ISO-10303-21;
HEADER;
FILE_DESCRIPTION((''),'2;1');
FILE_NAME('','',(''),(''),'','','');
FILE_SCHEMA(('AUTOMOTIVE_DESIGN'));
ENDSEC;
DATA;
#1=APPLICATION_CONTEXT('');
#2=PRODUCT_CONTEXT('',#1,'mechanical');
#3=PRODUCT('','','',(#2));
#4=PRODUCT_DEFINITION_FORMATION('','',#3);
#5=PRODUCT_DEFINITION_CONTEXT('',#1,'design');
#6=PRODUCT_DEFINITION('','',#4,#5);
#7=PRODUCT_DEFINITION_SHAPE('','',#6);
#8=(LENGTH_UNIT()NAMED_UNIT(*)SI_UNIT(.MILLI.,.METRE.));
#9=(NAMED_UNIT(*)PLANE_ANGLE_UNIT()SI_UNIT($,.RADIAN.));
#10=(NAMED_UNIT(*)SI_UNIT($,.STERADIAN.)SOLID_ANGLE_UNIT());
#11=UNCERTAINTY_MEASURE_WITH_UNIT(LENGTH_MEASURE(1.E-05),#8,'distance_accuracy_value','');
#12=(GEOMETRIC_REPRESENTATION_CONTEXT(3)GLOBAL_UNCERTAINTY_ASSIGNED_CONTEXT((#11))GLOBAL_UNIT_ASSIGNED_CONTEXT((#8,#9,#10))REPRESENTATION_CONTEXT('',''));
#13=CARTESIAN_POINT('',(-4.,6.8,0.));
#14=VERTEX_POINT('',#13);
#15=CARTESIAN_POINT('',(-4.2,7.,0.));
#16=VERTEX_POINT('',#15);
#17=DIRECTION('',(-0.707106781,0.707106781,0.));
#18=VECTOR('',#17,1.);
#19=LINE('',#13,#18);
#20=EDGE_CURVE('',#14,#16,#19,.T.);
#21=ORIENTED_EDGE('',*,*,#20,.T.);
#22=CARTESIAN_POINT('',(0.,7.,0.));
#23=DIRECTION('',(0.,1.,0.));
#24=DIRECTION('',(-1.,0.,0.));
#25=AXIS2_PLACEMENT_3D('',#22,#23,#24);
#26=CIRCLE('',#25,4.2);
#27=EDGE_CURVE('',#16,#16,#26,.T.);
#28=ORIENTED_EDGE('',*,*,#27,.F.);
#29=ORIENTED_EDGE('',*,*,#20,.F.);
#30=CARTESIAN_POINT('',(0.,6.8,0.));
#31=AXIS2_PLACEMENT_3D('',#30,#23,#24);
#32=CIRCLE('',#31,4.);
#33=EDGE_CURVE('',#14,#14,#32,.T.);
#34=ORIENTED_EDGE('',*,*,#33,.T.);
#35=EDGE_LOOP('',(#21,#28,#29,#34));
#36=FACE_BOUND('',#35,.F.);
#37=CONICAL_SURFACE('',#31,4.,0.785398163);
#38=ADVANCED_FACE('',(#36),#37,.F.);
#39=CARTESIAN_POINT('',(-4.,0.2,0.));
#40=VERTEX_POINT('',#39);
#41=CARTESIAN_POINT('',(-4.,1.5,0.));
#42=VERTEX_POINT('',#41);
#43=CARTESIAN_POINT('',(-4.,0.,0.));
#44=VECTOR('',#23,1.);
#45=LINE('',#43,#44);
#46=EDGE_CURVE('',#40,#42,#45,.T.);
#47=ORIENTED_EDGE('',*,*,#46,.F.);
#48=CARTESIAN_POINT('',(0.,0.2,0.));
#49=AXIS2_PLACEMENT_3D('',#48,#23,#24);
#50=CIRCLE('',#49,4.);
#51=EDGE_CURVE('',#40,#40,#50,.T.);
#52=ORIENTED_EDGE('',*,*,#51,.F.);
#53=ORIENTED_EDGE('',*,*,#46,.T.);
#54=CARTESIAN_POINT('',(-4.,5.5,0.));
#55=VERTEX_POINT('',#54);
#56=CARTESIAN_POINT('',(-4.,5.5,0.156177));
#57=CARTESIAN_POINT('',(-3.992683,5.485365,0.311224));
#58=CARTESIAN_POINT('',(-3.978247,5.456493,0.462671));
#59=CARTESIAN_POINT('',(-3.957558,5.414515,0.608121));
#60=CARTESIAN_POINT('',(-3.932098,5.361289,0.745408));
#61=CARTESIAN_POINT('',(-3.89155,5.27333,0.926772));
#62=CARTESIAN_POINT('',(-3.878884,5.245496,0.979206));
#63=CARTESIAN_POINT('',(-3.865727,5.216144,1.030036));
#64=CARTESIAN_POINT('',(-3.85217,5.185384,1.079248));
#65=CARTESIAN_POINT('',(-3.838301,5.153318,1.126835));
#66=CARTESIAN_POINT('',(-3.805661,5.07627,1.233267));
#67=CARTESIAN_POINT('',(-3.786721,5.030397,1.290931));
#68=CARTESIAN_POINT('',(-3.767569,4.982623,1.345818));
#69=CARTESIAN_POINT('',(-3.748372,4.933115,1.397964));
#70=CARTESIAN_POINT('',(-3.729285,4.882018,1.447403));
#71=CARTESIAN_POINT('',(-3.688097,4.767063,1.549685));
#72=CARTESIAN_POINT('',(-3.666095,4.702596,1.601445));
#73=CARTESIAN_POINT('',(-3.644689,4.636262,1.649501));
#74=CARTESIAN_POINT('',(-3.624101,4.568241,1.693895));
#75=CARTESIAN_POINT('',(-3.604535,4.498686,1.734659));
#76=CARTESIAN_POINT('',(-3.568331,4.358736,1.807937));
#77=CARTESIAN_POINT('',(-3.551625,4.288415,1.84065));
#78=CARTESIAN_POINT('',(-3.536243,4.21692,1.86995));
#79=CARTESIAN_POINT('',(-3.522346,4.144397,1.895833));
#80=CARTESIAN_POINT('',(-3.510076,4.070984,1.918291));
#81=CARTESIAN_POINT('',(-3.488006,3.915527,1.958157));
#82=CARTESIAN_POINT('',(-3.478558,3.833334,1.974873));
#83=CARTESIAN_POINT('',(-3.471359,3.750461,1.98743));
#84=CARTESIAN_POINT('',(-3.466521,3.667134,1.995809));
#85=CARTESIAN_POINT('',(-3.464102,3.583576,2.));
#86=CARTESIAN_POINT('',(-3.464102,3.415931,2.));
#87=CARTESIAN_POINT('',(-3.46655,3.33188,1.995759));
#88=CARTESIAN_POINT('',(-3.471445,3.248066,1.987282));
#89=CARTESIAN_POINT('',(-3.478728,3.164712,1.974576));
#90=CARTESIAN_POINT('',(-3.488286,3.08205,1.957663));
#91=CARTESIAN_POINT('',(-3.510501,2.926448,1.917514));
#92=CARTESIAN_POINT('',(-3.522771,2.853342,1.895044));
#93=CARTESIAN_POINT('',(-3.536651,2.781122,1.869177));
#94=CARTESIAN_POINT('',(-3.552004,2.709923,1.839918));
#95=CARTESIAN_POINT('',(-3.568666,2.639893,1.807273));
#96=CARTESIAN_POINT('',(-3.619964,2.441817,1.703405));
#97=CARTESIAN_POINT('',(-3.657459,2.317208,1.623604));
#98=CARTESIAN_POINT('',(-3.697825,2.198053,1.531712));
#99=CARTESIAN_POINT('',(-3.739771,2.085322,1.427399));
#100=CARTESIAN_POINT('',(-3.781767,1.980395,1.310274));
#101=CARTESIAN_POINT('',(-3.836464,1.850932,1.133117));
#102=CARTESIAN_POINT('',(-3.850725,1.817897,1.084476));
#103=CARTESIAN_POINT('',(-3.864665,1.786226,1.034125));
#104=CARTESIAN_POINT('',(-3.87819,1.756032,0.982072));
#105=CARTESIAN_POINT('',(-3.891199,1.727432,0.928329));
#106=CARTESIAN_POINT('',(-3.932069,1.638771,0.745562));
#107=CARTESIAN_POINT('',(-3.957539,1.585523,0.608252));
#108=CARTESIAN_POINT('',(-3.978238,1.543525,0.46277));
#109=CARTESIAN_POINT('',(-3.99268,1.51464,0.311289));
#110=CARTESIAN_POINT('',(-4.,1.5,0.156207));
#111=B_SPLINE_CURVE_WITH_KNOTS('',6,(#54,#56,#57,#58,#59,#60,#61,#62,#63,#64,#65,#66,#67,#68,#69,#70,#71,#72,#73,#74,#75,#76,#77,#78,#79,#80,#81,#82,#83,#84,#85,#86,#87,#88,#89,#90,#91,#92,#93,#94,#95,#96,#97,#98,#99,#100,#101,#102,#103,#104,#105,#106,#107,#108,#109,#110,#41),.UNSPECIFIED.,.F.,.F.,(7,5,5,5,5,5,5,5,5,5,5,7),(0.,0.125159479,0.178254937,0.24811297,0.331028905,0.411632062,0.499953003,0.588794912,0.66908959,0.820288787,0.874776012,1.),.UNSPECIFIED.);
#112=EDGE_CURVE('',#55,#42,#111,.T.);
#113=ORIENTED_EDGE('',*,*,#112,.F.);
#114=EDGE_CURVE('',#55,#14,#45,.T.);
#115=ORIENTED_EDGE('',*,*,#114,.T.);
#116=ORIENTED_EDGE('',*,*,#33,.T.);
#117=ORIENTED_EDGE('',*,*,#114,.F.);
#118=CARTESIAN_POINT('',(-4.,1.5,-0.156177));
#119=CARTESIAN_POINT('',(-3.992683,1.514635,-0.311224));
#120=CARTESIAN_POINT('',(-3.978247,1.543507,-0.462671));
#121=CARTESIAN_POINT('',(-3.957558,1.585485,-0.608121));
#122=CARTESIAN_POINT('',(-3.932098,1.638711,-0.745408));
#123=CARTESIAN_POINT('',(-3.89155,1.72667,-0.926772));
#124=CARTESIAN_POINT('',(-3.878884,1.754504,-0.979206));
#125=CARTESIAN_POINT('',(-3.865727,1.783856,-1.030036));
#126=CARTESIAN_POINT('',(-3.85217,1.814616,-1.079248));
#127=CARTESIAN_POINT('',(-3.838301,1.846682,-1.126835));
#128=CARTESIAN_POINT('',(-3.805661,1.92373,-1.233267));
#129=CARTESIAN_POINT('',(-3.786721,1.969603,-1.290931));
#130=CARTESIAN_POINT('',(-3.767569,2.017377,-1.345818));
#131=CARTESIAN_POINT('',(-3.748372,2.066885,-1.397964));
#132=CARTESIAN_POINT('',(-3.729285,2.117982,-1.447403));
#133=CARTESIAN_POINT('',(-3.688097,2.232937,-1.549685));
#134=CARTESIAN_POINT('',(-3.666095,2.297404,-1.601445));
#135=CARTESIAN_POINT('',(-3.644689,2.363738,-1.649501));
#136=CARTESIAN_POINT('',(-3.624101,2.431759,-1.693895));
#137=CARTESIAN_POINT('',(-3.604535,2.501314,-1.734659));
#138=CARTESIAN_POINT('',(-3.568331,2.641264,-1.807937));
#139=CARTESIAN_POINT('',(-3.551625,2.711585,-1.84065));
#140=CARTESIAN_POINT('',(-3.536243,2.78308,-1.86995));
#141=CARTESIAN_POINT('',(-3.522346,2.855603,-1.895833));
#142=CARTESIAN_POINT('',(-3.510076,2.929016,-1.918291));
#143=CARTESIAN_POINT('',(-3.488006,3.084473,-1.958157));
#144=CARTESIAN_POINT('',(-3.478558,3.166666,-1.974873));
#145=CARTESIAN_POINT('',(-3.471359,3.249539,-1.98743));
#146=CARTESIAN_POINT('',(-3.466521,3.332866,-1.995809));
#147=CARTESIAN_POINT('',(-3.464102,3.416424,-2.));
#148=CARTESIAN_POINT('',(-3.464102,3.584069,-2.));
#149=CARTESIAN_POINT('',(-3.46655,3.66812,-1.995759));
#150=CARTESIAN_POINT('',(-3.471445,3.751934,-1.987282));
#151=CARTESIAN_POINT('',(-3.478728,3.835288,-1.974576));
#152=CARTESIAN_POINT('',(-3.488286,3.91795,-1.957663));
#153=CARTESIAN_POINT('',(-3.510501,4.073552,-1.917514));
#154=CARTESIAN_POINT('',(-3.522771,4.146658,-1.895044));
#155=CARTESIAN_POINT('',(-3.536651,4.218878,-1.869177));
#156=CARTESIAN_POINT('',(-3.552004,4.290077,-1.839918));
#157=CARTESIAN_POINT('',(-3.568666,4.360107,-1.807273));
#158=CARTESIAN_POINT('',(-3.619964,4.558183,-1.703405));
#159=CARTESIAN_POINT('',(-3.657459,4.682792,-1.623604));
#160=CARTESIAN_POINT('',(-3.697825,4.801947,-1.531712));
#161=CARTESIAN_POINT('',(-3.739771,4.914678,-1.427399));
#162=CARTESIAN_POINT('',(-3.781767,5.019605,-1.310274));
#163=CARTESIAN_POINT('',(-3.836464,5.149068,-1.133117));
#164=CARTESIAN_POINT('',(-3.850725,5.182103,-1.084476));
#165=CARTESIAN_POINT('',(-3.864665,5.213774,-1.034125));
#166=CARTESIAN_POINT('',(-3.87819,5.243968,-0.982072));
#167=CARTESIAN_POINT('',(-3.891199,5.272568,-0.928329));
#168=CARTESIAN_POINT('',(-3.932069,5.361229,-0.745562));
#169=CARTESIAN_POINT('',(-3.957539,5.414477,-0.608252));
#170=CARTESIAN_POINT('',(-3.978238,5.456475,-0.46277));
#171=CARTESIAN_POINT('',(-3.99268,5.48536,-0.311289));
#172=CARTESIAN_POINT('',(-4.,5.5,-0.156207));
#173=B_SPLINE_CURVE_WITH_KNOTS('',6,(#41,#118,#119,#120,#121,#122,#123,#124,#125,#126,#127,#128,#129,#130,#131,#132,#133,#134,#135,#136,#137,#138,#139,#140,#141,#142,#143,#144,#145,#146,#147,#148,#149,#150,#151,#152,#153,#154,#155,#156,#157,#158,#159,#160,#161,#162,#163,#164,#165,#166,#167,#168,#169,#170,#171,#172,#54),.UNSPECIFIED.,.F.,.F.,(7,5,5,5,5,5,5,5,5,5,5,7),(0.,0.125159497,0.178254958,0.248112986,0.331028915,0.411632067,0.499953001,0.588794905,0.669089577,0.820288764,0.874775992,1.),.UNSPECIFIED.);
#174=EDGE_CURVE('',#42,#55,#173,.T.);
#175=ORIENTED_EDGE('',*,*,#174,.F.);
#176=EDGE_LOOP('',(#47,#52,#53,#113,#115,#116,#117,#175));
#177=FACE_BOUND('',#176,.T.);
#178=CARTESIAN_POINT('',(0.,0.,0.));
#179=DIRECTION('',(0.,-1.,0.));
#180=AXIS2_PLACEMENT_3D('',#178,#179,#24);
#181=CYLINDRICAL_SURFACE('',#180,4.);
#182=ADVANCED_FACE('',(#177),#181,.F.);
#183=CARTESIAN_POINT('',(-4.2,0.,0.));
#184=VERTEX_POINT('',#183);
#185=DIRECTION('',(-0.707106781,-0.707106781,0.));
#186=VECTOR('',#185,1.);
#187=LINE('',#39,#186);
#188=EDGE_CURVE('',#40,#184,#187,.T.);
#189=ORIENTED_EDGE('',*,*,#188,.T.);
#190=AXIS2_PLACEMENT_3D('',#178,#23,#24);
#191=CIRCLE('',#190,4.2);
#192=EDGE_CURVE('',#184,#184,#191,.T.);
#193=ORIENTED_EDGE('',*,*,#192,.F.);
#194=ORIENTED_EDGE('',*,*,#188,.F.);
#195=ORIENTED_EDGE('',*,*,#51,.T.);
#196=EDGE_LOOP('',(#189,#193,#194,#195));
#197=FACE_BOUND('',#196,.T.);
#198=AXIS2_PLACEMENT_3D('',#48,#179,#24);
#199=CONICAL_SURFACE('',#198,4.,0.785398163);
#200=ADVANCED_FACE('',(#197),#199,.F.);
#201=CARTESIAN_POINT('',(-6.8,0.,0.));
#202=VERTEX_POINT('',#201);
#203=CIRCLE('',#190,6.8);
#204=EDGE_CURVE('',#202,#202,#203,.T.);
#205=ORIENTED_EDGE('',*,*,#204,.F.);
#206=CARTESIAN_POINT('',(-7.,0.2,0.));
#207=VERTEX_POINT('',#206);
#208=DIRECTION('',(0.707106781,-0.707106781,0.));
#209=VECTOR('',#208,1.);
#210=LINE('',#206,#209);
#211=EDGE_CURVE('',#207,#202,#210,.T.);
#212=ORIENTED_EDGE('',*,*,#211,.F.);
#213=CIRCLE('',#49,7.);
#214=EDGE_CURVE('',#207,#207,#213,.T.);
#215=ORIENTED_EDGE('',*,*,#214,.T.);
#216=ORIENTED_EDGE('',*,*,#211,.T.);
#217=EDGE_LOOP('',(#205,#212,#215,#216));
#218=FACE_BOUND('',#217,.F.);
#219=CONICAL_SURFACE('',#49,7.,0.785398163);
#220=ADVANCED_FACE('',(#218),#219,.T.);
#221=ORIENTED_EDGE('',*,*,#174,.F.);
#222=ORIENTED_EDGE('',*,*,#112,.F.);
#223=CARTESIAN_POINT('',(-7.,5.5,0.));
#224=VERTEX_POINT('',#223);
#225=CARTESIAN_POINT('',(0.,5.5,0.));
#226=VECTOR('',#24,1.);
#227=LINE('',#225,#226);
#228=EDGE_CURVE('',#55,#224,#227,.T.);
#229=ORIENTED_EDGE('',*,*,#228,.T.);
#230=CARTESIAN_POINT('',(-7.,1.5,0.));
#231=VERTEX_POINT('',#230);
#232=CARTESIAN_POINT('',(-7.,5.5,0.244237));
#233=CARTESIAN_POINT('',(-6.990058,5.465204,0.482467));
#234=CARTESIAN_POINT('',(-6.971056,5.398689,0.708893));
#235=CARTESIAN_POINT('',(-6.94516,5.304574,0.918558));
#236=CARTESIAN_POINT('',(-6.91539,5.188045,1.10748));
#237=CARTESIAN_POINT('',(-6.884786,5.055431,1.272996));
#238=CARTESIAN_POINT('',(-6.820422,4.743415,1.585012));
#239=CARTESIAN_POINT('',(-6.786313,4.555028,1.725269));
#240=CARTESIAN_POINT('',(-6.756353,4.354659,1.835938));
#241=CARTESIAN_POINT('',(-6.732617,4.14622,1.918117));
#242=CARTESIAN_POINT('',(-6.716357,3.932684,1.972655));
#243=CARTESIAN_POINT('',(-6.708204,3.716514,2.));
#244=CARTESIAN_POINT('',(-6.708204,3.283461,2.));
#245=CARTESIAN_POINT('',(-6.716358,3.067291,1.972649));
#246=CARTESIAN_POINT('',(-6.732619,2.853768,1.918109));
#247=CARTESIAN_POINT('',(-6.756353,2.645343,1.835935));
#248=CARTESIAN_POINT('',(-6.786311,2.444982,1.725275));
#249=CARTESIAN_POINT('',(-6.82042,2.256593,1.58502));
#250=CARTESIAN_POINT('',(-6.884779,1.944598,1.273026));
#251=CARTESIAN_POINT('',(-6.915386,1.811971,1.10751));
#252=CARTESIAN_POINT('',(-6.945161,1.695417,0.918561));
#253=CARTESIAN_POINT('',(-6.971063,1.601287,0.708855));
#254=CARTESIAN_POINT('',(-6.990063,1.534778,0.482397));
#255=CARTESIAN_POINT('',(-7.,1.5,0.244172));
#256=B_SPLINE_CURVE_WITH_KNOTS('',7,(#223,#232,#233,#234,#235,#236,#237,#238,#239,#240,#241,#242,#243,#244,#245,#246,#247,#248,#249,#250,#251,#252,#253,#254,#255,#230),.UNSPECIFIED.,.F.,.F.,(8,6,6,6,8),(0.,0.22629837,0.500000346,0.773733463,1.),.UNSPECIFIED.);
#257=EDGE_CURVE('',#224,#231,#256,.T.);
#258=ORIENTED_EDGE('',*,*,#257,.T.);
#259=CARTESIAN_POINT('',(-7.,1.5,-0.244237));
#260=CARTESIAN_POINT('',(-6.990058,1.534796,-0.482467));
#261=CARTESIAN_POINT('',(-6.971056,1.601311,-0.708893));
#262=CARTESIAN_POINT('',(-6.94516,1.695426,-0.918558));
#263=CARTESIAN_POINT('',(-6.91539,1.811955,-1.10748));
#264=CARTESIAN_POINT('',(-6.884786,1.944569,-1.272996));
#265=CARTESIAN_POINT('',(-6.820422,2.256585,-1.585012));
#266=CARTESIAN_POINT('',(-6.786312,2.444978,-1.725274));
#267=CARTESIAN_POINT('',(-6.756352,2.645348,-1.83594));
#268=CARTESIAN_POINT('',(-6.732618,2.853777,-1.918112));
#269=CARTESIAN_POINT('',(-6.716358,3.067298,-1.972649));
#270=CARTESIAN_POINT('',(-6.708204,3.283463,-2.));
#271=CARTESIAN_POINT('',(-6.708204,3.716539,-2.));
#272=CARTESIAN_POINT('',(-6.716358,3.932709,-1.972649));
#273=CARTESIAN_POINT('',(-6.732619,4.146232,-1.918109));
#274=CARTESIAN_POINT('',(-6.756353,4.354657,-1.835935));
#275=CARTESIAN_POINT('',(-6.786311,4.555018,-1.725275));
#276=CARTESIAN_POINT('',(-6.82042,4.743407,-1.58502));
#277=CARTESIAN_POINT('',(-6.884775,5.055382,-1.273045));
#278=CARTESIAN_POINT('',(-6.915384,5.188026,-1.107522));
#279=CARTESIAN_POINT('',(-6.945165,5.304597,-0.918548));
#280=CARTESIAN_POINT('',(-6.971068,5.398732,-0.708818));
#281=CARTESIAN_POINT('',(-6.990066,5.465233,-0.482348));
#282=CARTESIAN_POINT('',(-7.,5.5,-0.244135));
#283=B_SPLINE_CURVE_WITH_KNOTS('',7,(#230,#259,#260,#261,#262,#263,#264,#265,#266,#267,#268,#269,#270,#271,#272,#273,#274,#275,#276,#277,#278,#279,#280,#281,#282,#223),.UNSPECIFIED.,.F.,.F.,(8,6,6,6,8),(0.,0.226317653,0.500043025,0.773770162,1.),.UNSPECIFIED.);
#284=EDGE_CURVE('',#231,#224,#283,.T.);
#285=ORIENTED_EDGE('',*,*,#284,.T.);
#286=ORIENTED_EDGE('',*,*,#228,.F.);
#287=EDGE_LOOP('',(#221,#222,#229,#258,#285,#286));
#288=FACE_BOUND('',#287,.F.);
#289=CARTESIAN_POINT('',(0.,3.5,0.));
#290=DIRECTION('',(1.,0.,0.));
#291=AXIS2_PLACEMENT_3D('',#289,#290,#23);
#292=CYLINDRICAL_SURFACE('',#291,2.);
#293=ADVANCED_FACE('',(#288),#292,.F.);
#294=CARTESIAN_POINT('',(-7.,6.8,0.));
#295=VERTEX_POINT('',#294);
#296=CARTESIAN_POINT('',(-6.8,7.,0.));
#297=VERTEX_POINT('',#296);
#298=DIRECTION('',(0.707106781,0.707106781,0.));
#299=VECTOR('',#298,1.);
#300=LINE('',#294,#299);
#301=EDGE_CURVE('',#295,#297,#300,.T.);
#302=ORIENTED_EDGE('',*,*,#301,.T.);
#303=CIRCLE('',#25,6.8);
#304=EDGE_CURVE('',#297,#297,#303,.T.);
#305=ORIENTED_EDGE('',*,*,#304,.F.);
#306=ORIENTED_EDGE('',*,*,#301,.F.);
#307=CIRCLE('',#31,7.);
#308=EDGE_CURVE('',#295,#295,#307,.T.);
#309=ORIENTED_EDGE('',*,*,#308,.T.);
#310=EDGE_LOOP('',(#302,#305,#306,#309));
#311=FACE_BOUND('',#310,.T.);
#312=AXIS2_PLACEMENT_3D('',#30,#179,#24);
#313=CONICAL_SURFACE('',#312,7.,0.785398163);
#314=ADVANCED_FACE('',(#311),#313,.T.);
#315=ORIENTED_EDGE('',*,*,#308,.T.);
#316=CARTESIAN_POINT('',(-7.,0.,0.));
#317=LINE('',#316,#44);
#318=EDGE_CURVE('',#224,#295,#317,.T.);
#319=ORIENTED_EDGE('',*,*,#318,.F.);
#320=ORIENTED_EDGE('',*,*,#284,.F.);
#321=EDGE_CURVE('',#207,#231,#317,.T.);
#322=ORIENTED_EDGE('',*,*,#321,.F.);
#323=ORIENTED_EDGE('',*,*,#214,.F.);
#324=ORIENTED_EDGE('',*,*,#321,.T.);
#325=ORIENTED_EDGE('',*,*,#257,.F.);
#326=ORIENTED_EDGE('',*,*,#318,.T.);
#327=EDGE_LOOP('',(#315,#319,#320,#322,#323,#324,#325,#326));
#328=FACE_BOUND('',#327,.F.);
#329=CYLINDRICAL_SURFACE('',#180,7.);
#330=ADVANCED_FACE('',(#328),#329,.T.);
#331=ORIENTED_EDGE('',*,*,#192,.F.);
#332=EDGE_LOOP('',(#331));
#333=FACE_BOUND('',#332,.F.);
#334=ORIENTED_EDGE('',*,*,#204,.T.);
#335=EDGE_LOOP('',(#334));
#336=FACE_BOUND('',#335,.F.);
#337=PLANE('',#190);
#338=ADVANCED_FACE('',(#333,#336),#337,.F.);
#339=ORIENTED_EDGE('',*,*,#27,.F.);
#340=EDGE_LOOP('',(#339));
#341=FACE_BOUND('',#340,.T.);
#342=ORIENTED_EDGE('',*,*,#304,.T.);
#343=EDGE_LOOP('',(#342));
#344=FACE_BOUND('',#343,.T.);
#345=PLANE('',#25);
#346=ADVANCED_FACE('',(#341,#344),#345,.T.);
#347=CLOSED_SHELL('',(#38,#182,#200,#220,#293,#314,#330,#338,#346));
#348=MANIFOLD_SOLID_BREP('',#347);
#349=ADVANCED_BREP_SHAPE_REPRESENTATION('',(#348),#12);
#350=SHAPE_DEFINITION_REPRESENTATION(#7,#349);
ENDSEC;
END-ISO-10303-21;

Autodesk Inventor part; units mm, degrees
ref_plane "YZ Plane" through (0, 0, 0) normal (1, 0, 0) x (0, 1, 0)
ref_plane "XZ Plane" through (0, 0, 0) normal (0, 1, 0) x (-1, 0, 0)
ref_plane "XY Plane" through (0, 0, 0) normal (0, 0, 1) x (1, 0, 0)
sketch "Sketch1" plane through (0, 0, 0) normal (0, 1, 0) x (-1, 0, 0)
  circle A0 centre (0, 0) radius 7
  circle A1 centre (0, 0) radius 4
  dimension "d0" = 14
  dimension "d1" = 8
extrude "Extrusion1" add sketch "Sketch1" along normal blind 7
chamfer "Chamfer1" distance 0.2 angle 45 4 edges at (7, 7, 0) (4, 7, 0) (7, 0, 0) (4, 0, 0)
sketch "Sketch2" plane through (0, 0, 0) normal (0, 1, 0) x (-1, 0, 0)
  point P0 (0, 0)
sketch "Sketch3" plane through (0, 0, 0) normal (1, 0, 0) x (0, 1, 0)
  circle A0 centre (3.5, 0) radius 2
  line L0 (7, -4.2) -> (7, 4.2) projected
  point P0 (0, 0)
  dimension "d7" = 4
  dimension "d8" = 3.5
extrude "Extrusion2" cut sketch "Sketch3" against normal blind 7
properties part number "8mmShaftCollar"
